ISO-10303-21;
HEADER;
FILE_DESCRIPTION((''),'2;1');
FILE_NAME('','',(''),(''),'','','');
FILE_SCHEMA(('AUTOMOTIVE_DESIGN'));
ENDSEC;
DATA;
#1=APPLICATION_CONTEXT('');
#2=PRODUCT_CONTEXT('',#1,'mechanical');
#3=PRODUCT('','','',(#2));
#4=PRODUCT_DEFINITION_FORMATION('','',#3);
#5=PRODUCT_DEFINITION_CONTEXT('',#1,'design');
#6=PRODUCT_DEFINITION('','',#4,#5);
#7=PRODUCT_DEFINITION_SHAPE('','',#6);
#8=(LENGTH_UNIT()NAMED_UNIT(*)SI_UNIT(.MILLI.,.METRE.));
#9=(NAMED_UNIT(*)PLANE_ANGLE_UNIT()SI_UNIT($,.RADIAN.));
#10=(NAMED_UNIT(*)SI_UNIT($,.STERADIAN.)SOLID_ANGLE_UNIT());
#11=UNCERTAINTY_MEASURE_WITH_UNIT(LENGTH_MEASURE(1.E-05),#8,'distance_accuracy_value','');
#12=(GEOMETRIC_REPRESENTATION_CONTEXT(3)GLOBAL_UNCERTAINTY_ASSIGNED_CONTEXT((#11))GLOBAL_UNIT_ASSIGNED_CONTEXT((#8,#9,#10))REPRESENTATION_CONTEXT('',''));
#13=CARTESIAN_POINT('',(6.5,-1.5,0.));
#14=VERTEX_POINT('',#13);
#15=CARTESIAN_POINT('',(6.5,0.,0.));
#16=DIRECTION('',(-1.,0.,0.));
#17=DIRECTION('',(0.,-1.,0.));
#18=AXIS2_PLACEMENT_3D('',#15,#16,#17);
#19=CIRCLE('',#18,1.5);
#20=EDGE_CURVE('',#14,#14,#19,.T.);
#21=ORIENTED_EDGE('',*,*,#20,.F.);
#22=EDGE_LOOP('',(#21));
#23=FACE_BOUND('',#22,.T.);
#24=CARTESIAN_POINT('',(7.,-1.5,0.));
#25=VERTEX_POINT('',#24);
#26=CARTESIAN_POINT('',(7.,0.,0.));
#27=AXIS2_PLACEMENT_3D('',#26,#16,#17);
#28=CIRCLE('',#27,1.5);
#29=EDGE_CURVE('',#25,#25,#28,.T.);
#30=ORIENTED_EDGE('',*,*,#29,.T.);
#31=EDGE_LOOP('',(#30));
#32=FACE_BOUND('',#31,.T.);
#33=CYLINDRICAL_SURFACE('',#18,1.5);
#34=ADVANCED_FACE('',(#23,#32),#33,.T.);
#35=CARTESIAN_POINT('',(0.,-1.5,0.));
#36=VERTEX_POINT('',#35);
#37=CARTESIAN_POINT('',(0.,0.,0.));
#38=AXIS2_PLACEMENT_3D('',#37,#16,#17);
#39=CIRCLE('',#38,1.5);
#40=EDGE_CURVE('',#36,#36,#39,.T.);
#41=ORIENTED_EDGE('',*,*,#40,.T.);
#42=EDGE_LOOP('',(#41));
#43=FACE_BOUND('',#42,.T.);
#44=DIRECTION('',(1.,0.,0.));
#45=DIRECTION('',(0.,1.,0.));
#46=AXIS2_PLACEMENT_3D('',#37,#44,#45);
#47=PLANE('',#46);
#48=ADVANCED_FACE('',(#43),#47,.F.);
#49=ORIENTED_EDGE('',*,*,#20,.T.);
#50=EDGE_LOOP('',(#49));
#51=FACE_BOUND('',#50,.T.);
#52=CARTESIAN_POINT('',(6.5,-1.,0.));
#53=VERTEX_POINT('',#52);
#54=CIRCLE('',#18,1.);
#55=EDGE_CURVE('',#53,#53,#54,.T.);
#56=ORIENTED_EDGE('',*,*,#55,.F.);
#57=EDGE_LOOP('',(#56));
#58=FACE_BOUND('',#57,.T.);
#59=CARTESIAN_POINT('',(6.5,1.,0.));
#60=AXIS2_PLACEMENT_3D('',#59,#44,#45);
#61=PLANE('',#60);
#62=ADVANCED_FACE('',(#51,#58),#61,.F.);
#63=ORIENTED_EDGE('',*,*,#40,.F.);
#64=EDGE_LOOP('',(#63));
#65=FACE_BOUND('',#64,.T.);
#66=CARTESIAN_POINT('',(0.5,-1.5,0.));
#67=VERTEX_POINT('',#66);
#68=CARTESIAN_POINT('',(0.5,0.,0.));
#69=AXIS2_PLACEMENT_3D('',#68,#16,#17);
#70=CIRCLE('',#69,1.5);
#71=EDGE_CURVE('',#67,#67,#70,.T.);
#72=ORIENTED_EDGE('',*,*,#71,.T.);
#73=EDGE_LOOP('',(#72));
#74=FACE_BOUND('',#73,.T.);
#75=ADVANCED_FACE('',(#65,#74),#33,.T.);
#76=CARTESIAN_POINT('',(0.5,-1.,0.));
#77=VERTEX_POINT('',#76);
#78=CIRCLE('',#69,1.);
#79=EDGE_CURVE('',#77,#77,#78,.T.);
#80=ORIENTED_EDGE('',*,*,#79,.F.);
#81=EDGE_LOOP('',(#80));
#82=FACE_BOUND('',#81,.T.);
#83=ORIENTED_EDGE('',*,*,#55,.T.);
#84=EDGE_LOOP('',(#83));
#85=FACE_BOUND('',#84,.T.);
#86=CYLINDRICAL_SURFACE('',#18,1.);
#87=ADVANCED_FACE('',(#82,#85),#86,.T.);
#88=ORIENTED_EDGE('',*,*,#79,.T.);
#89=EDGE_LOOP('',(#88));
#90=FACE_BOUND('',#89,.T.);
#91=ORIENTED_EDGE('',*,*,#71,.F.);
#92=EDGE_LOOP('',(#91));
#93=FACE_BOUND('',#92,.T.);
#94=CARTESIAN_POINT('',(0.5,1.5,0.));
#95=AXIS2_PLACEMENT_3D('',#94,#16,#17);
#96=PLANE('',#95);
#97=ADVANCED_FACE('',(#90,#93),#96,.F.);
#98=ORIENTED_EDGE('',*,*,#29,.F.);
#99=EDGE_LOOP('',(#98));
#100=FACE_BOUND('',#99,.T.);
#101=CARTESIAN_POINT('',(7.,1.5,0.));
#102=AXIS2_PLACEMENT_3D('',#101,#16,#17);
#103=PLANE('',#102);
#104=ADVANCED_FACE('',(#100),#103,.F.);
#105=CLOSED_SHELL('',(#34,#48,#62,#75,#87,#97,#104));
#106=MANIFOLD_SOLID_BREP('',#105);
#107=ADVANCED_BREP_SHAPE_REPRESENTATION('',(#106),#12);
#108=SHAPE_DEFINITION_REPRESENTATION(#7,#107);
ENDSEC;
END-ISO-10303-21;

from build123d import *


with BuildPart() as part:
    # Szkic1 → Obrót1 (revolve)
    with BuildSketch(Plane.XY):
        Polygon((0, 0), (6.5, 0), (7, 0), (7, 1.5), (6.5, 1.5), (6.5, 1), (0.5, 1), (0.5, 1.5), (0, 1.5), align=None)
    revolve(axis=Axis((6.5, 0, 0), (1, 0, 0)))


solid = part.part
